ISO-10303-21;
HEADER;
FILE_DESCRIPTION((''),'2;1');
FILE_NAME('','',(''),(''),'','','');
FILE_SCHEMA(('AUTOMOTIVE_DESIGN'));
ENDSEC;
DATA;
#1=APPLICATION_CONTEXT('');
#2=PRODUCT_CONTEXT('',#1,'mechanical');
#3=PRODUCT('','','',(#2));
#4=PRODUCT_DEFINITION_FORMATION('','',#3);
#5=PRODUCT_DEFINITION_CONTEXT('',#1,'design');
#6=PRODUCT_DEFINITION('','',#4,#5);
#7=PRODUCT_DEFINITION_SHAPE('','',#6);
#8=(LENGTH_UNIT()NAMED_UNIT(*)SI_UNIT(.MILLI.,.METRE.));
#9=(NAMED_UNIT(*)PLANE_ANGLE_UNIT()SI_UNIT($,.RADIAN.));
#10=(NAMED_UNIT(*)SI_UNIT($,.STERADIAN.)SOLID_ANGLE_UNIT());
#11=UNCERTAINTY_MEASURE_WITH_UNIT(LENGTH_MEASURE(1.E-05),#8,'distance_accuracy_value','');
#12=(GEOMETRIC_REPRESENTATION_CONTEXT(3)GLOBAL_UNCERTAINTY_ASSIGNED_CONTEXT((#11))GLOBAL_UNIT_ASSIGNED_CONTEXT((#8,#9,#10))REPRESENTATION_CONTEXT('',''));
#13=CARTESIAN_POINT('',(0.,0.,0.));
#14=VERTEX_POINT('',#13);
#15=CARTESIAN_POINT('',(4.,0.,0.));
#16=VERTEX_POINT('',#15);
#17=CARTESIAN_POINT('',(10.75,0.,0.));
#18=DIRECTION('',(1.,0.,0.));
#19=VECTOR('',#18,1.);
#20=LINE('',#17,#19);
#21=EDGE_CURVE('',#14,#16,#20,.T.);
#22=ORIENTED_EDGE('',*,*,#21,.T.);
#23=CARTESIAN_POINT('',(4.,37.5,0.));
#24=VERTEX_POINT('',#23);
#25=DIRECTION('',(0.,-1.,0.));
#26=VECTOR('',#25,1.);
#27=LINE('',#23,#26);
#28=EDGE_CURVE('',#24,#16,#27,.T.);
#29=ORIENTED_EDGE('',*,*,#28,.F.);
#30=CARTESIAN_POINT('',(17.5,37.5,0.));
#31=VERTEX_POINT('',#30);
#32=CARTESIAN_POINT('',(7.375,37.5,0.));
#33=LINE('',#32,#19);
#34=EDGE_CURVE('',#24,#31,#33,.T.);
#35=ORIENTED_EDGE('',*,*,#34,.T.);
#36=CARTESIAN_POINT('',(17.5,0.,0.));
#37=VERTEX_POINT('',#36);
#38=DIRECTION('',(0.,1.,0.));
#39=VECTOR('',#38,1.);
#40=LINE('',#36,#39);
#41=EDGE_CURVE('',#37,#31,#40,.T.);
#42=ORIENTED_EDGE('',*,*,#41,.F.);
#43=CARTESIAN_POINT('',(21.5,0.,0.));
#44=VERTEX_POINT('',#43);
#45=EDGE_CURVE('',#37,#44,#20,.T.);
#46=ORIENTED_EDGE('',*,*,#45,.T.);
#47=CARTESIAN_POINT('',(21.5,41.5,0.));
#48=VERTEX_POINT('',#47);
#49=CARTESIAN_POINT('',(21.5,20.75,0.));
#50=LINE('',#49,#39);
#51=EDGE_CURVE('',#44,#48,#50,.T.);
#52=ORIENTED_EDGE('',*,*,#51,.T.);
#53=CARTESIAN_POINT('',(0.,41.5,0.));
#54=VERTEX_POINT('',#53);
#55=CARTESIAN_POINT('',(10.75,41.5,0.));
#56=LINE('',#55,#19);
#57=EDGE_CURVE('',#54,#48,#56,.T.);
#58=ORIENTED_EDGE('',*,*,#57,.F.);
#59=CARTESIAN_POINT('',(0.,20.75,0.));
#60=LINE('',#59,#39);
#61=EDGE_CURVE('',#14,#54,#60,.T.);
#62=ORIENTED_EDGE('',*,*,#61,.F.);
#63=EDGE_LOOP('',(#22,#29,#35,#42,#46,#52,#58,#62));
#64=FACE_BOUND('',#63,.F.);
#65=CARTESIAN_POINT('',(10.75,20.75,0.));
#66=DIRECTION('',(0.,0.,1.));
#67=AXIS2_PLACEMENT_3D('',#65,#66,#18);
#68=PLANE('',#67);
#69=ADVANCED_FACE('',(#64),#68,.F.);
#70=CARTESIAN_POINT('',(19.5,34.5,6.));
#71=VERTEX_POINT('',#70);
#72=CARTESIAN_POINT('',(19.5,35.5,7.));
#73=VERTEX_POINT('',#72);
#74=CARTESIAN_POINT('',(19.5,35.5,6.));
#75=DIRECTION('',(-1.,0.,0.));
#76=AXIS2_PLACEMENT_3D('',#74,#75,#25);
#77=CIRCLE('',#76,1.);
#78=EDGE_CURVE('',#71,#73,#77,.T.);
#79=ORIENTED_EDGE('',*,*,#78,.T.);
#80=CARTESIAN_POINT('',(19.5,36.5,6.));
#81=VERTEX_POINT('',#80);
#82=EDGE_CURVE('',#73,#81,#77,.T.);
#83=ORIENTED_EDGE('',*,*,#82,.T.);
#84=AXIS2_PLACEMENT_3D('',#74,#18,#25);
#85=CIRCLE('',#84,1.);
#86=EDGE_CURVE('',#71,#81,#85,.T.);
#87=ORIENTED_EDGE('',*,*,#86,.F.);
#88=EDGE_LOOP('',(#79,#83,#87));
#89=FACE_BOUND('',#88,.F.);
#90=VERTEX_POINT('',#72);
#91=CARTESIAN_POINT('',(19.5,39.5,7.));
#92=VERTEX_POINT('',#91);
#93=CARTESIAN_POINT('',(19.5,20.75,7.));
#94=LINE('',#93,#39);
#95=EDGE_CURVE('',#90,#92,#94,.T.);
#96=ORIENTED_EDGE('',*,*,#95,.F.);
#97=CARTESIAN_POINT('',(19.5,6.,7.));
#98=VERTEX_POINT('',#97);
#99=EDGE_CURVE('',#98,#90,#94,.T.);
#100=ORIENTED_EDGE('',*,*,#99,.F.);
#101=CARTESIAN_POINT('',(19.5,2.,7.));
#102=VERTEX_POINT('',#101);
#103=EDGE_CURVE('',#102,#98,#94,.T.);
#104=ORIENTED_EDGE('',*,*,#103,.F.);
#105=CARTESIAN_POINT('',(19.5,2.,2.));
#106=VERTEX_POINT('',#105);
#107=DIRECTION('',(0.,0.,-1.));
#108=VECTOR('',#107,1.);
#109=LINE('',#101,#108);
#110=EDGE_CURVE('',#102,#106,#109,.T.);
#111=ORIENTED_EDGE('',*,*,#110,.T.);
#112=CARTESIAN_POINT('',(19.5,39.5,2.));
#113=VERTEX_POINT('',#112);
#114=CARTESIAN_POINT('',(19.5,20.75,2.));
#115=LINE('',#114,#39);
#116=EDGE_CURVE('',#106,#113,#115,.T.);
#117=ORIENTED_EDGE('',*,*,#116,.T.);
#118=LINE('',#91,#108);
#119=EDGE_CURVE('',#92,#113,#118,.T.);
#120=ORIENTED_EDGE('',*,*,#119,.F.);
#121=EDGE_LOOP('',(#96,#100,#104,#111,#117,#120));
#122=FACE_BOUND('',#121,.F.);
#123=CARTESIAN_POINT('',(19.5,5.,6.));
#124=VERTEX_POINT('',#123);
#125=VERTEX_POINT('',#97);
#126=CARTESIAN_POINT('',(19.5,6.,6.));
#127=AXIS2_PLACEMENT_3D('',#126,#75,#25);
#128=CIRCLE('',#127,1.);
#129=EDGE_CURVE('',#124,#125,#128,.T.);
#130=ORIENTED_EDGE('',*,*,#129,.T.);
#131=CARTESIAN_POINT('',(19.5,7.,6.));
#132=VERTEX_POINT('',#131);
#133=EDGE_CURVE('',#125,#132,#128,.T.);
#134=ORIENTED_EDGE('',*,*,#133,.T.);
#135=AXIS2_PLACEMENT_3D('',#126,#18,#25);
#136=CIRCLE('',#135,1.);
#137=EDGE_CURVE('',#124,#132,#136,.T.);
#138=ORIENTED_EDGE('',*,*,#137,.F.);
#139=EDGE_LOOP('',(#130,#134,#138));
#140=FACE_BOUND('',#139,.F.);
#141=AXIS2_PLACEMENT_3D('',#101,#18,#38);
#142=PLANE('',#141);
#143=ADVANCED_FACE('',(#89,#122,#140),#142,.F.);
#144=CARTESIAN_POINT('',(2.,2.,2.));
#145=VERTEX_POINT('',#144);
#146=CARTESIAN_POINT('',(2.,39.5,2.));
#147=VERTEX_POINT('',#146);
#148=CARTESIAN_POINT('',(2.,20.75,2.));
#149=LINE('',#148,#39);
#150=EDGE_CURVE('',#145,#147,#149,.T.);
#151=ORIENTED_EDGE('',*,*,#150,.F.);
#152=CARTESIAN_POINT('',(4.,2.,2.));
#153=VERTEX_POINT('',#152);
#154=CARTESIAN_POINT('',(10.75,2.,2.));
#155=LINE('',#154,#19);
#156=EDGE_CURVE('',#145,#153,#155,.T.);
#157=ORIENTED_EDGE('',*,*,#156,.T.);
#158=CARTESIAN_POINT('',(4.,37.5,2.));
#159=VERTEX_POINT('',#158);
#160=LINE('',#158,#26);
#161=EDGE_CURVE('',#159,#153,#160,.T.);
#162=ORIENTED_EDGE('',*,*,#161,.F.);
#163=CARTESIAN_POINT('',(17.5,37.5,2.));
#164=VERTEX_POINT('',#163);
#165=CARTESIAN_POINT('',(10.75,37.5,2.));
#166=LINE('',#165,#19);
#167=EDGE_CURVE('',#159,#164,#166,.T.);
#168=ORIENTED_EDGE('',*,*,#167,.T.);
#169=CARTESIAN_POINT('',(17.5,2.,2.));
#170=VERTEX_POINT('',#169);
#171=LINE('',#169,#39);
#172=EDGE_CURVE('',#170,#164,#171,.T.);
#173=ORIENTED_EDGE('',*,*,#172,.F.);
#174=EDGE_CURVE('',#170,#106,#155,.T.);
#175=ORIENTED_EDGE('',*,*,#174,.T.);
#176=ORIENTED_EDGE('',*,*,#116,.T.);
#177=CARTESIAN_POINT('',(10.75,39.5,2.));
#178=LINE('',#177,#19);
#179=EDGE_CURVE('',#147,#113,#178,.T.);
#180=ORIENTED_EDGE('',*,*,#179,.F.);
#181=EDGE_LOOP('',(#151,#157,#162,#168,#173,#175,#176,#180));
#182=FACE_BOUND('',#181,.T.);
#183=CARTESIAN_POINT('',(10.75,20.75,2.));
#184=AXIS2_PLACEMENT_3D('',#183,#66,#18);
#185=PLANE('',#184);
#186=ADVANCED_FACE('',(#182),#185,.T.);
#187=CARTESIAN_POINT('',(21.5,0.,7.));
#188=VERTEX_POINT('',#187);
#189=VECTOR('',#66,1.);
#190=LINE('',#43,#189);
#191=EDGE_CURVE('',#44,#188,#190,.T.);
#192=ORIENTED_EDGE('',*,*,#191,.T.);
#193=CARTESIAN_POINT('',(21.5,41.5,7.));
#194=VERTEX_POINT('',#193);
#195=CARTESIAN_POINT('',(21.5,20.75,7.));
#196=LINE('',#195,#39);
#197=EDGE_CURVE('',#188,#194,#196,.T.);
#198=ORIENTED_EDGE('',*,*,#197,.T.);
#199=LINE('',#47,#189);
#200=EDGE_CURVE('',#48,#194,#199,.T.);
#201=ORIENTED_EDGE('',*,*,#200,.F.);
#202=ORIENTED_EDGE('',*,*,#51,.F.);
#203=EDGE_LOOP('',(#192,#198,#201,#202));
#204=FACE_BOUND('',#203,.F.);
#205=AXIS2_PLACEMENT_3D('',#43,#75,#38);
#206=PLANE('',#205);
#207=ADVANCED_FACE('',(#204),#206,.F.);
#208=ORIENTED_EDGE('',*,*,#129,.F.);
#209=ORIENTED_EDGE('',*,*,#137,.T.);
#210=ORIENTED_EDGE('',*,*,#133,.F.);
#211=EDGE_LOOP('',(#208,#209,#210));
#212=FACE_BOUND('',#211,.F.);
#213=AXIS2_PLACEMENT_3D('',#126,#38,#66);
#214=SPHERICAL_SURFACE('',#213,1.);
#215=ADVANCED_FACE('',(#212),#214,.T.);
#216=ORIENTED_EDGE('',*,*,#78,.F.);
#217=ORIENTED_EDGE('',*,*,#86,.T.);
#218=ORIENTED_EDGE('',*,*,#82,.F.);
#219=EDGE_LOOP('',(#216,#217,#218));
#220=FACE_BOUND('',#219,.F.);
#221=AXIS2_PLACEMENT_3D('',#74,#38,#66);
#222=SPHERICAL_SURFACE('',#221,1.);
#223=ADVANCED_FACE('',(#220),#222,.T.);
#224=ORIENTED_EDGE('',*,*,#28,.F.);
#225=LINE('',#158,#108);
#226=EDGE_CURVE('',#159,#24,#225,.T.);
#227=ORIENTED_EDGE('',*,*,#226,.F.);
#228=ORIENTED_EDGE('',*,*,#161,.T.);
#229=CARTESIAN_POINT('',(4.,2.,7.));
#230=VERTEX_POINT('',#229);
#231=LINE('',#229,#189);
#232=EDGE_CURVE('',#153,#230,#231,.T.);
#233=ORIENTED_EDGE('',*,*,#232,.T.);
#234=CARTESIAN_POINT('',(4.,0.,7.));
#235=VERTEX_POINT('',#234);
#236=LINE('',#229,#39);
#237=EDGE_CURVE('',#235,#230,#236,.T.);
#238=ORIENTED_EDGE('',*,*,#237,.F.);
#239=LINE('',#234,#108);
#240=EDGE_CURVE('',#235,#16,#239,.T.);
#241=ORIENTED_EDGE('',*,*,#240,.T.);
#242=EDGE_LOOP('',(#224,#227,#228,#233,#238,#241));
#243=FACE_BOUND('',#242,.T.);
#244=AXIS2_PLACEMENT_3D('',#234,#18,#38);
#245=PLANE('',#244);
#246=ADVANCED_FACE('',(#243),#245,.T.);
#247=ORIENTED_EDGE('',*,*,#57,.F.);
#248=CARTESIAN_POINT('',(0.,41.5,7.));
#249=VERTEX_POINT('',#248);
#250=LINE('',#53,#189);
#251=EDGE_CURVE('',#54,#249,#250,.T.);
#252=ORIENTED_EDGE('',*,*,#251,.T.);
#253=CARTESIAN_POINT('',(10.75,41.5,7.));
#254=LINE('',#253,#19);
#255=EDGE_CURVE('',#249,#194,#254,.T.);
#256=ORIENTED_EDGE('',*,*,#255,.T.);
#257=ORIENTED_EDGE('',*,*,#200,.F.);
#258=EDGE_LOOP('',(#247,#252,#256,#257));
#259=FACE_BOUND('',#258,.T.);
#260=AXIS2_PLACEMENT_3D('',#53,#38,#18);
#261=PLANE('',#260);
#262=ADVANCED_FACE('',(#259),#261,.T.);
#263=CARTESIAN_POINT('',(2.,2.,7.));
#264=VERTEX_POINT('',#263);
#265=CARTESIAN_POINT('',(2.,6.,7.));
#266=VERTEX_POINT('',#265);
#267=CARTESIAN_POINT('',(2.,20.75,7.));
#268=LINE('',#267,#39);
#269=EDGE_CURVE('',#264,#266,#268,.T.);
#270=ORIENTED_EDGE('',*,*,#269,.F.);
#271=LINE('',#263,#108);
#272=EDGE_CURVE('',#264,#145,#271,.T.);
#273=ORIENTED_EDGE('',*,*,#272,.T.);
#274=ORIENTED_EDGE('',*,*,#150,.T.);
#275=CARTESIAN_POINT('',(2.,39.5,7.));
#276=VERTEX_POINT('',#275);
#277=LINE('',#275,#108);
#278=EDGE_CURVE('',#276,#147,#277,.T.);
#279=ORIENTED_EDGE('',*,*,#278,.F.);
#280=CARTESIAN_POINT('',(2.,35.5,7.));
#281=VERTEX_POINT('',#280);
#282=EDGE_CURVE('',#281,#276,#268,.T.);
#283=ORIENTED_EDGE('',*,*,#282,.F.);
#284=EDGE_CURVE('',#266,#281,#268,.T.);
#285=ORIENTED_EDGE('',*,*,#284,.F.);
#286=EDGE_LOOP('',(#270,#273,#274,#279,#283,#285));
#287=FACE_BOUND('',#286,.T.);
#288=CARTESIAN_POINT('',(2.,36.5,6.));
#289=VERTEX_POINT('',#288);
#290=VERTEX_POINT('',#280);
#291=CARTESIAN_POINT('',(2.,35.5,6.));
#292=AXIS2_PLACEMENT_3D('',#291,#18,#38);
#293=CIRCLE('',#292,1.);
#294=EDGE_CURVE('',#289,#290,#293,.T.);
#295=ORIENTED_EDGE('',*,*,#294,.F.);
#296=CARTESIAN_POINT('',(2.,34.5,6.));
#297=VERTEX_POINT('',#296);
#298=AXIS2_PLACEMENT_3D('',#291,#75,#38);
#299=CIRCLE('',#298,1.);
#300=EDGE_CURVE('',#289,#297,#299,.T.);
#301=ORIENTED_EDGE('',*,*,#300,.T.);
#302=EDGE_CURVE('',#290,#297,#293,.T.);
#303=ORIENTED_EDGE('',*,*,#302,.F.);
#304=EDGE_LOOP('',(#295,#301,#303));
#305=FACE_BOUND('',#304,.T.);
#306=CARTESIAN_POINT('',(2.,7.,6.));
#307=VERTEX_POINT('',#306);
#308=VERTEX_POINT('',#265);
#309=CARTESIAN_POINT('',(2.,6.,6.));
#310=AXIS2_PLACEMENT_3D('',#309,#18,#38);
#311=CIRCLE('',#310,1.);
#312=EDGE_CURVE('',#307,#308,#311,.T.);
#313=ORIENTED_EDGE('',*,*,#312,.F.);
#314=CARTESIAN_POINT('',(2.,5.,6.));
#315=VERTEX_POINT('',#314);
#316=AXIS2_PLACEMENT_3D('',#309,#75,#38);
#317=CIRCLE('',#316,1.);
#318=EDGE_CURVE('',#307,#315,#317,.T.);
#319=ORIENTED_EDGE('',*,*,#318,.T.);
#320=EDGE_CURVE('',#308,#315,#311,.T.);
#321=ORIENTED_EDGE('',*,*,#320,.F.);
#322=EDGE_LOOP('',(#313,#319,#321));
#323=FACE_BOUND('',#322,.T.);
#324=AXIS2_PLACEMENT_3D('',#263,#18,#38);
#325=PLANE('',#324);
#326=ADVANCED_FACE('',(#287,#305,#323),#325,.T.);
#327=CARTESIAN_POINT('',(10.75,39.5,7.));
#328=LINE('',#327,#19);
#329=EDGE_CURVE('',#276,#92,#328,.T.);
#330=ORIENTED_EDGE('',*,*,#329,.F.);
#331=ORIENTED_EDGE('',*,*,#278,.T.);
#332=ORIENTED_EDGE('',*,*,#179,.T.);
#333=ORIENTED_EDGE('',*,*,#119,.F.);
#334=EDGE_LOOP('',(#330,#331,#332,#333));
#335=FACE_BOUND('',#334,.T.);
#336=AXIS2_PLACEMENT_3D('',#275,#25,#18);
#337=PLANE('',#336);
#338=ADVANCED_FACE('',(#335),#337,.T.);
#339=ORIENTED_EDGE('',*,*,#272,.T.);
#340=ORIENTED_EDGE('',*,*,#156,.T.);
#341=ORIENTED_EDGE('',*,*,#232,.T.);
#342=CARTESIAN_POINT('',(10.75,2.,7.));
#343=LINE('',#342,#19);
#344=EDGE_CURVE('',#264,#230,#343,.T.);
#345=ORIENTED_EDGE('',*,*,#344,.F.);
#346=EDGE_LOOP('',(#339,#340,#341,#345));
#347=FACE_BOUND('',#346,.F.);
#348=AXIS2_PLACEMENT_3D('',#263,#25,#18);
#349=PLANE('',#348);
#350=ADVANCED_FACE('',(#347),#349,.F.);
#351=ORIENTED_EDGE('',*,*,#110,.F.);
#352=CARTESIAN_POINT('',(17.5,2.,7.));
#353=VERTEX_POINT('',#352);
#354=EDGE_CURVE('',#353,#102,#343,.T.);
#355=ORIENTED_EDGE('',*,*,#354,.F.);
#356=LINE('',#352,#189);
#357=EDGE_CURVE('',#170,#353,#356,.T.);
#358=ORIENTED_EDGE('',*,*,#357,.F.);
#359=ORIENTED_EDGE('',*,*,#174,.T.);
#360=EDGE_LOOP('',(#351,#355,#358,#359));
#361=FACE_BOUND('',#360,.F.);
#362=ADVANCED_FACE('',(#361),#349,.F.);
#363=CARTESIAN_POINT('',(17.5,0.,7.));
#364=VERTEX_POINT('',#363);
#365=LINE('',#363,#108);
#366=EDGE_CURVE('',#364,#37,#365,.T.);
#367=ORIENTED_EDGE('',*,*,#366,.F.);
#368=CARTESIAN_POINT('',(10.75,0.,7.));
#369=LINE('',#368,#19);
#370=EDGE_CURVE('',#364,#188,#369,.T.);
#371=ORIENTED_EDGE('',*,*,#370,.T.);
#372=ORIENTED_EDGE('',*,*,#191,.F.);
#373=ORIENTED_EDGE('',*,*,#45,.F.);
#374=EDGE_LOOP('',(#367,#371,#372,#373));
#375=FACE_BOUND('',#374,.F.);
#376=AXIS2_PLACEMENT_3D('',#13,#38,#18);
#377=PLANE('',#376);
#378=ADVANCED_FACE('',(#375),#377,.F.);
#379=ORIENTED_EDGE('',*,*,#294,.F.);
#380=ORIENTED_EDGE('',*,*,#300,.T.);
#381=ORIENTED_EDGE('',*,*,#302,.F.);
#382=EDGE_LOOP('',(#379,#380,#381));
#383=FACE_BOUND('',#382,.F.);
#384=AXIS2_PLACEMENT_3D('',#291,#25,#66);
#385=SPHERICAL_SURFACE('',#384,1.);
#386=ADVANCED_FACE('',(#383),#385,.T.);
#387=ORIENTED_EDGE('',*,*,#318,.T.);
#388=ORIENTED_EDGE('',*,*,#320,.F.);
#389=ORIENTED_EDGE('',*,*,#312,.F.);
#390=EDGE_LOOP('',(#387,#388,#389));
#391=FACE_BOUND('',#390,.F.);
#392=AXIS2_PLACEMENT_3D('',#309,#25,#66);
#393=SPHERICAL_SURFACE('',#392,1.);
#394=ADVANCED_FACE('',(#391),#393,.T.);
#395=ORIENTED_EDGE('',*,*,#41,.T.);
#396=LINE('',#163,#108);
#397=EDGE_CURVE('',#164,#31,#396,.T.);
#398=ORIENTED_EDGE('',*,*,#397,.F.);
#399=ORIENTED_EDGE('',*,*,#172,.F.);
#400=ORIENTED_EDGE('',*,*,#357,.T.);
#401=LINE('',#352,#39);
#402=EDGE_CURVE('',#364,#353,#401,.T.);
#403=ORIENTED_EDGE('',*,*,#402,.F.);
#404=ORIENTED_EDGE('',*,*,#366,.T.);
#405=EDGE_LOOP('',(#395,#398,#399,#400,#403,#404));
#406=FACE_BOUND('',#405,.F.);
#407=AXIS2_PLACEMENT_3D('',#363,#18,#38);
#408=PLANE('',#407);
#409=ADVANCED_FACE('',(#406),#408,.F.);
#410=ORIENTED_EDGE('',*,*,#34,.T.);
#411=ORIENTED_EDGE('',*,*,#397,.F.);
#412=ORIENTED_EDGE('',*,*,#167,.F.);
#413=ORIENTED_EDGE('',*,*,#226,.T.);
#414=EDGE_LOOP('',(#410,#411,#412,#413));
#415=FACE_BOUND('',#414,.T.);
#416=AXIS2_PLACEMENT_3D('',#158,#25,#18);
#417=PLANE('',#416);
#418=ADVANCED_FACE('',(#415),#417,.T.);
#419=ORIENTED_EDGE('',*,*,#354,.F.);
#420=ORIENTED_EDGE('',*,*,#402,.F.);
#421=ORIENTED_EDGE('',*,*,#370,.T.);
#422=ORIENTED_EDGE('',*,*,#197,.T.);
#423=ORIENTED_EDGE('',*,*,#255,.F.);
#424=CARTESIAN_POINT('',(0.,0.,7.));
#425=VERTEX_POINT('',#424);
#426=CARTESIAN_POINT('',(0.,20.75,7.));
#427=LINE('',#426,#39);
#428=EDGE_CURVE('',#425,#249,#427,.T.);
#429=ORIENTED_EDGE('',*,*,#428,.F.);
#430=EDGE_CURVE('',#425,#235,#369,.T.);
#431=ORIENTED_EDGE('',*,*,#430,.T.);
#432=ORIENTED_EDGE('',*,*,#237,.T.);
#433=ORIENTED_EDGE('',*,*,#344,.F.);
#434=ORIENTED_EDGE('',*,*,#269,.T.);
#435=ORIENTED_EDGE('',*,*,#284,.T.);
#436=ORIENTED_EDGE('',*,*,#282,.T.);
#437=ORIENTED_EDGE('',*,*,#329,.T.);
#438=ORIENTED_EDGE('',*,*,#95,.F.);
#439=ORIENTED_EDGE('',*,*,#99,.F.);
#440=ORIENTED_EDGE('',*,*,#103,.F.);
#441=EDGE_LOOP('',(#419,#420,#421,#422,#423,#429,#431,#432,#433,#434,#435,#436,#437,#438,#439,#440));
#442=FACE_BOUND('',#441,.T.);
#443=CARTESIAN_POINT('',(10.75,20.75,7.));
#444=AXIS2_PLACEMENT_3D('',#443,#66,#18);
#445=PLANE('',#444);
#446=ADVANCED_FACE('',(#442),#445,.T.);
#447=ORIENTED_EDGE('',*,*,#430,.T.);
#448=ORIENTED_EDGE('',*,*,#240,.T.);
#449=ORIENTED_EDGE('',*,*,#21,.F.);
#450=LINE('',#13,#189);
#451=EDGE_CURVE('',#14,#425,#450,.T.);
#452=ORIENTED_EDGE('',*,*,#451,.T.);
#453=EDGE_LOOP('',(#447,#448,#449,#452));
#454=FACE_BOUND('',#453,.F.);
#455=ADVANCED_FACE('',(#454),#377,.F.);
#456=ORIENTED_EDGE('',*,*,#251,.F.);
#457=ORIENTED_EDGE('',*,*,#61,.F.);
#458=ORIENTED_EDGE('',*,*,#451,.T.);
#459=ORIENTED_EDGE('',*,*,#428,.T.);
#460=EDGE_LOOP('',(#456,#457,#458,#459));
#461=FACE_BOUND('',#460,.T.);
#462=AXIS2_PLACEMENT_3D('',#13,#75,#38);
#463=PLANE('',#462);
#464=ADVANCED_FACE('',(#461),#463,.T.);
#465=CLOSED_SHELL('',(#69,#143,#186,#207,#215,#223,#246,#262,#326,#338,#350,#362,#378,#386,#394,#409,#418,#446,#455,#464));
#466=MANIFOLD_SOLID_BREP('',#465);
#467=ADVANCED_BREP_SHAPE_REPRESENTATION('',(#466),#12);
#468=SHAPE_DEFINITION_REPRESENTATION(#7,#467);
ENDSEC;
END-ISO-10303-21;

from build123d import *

# Parameters (mm, degrees)
SKETCH080_W         = 21.5
SKETCH080_H         = 41.5
PAD036_DEPTH        = 7
SKETCH081_W         = 17.5
SKETCH081_H         = 37.5
POCKET027_DEPTH     = 5
SKETCH077_W         = 13.5
SKETCH077_H         = 33.5
POCKET028_DEPTH     = 2.001
SKETCH078_W         = 13.5
SKETCH078_H         = 4
POCKET026_DEPTH     = 7.001
REVOLUTION010_ANGLE = -180
REVOLUTION011_ANGLE = -180


with BuildPart() as part:
    # Sketch080 → Pad036 (new body)
    with BuildSketch(Plane.XY):
        with Locations((10.75, 20.75)):
            Rectangle(SKETCH080_W, SKETCH080_H)
    extrude(amount=PAD036_DEPTH)

    # Sketch081 (on Face6 of Pad036) → Pocket027 (cut)
    with BuildSketch(Plane.XY.offset(7)):
        with Locations((10.75, 20.75)):
            Rectangle(SKETCH081_W, SKETCH081_H)
    extrude(amount=-POCKET027_DEPTH, mode=Mode.SUBTRACT)

    # Sketch077 (on Face11 of Pocket027) → Pocket028 (cut, through all)
    with BuildSketch(Plane.XY.offset(2)):
        with Locations((10.75, 20.75)):
            Rectangle(SKETCH077_W, SKETCH077_H)
    extrude(amount=-POCKET028_DEPTH, mode=Mode.SUBTRACT)

    # Sketch078 (on Face5 of Pocket028) → Pocket026 (cut, through all)
    with BuildSketch(Plane.XY.offset(7)):
        with Locations((10.75, 2)):
            Rectangle(SKETCH078_W, SKETCH078_H)
    extrude(amount=-POCKET026_DEPTH, mode=Mode.SUBTRACT)

    # Sketch082 (on Face18 of Pocket026) → Revolution010 (revolve)
    with BuildSketch(Plane.YZ.offset(2)):
        with BuildLine():
            ThreePointArc((7, 6), (6, 7), (5, 6))
            Line((5, 6), (7, 6))
        make_face()
        with BuildLine():
            ThreePointArc((36.5, 6), (35.5, 7), (34.5, 6))
            Line((34.5, 6), (36.5, 6))
        make_face()
    revolve(axis=Axis((2, 34.5, 6), (0, -1, 0)), revolution_arc=REVOLUTION010_ANGLE)

    # Sketch083 (on Face17 of Revolution010) → Revolution011 (revolve)
    with BuildSketch(Plane(origin=(19.5, 0, 0), x_dir=(0, -1, 0), z_dir=(-1, 0, 0))):
        with BuildLine():
            ThreePointArc((-34.5, 6), (-35.5, 7), (-36.5, 6))
            Line((-36.5, 6), (-34.5, 6))
        make_face()
        with BuildLine():
            ThreePointArc((-5, 6), (-6, 7), (-7, 6))
            Line((-7, 6), (-5, 6))
        make_face()
    revolve(axis=Axis((19.5, 7, 6), (0, 1, 0)), revolution_arc=REVOLUTION011_ANGLE)


solid = part.part
